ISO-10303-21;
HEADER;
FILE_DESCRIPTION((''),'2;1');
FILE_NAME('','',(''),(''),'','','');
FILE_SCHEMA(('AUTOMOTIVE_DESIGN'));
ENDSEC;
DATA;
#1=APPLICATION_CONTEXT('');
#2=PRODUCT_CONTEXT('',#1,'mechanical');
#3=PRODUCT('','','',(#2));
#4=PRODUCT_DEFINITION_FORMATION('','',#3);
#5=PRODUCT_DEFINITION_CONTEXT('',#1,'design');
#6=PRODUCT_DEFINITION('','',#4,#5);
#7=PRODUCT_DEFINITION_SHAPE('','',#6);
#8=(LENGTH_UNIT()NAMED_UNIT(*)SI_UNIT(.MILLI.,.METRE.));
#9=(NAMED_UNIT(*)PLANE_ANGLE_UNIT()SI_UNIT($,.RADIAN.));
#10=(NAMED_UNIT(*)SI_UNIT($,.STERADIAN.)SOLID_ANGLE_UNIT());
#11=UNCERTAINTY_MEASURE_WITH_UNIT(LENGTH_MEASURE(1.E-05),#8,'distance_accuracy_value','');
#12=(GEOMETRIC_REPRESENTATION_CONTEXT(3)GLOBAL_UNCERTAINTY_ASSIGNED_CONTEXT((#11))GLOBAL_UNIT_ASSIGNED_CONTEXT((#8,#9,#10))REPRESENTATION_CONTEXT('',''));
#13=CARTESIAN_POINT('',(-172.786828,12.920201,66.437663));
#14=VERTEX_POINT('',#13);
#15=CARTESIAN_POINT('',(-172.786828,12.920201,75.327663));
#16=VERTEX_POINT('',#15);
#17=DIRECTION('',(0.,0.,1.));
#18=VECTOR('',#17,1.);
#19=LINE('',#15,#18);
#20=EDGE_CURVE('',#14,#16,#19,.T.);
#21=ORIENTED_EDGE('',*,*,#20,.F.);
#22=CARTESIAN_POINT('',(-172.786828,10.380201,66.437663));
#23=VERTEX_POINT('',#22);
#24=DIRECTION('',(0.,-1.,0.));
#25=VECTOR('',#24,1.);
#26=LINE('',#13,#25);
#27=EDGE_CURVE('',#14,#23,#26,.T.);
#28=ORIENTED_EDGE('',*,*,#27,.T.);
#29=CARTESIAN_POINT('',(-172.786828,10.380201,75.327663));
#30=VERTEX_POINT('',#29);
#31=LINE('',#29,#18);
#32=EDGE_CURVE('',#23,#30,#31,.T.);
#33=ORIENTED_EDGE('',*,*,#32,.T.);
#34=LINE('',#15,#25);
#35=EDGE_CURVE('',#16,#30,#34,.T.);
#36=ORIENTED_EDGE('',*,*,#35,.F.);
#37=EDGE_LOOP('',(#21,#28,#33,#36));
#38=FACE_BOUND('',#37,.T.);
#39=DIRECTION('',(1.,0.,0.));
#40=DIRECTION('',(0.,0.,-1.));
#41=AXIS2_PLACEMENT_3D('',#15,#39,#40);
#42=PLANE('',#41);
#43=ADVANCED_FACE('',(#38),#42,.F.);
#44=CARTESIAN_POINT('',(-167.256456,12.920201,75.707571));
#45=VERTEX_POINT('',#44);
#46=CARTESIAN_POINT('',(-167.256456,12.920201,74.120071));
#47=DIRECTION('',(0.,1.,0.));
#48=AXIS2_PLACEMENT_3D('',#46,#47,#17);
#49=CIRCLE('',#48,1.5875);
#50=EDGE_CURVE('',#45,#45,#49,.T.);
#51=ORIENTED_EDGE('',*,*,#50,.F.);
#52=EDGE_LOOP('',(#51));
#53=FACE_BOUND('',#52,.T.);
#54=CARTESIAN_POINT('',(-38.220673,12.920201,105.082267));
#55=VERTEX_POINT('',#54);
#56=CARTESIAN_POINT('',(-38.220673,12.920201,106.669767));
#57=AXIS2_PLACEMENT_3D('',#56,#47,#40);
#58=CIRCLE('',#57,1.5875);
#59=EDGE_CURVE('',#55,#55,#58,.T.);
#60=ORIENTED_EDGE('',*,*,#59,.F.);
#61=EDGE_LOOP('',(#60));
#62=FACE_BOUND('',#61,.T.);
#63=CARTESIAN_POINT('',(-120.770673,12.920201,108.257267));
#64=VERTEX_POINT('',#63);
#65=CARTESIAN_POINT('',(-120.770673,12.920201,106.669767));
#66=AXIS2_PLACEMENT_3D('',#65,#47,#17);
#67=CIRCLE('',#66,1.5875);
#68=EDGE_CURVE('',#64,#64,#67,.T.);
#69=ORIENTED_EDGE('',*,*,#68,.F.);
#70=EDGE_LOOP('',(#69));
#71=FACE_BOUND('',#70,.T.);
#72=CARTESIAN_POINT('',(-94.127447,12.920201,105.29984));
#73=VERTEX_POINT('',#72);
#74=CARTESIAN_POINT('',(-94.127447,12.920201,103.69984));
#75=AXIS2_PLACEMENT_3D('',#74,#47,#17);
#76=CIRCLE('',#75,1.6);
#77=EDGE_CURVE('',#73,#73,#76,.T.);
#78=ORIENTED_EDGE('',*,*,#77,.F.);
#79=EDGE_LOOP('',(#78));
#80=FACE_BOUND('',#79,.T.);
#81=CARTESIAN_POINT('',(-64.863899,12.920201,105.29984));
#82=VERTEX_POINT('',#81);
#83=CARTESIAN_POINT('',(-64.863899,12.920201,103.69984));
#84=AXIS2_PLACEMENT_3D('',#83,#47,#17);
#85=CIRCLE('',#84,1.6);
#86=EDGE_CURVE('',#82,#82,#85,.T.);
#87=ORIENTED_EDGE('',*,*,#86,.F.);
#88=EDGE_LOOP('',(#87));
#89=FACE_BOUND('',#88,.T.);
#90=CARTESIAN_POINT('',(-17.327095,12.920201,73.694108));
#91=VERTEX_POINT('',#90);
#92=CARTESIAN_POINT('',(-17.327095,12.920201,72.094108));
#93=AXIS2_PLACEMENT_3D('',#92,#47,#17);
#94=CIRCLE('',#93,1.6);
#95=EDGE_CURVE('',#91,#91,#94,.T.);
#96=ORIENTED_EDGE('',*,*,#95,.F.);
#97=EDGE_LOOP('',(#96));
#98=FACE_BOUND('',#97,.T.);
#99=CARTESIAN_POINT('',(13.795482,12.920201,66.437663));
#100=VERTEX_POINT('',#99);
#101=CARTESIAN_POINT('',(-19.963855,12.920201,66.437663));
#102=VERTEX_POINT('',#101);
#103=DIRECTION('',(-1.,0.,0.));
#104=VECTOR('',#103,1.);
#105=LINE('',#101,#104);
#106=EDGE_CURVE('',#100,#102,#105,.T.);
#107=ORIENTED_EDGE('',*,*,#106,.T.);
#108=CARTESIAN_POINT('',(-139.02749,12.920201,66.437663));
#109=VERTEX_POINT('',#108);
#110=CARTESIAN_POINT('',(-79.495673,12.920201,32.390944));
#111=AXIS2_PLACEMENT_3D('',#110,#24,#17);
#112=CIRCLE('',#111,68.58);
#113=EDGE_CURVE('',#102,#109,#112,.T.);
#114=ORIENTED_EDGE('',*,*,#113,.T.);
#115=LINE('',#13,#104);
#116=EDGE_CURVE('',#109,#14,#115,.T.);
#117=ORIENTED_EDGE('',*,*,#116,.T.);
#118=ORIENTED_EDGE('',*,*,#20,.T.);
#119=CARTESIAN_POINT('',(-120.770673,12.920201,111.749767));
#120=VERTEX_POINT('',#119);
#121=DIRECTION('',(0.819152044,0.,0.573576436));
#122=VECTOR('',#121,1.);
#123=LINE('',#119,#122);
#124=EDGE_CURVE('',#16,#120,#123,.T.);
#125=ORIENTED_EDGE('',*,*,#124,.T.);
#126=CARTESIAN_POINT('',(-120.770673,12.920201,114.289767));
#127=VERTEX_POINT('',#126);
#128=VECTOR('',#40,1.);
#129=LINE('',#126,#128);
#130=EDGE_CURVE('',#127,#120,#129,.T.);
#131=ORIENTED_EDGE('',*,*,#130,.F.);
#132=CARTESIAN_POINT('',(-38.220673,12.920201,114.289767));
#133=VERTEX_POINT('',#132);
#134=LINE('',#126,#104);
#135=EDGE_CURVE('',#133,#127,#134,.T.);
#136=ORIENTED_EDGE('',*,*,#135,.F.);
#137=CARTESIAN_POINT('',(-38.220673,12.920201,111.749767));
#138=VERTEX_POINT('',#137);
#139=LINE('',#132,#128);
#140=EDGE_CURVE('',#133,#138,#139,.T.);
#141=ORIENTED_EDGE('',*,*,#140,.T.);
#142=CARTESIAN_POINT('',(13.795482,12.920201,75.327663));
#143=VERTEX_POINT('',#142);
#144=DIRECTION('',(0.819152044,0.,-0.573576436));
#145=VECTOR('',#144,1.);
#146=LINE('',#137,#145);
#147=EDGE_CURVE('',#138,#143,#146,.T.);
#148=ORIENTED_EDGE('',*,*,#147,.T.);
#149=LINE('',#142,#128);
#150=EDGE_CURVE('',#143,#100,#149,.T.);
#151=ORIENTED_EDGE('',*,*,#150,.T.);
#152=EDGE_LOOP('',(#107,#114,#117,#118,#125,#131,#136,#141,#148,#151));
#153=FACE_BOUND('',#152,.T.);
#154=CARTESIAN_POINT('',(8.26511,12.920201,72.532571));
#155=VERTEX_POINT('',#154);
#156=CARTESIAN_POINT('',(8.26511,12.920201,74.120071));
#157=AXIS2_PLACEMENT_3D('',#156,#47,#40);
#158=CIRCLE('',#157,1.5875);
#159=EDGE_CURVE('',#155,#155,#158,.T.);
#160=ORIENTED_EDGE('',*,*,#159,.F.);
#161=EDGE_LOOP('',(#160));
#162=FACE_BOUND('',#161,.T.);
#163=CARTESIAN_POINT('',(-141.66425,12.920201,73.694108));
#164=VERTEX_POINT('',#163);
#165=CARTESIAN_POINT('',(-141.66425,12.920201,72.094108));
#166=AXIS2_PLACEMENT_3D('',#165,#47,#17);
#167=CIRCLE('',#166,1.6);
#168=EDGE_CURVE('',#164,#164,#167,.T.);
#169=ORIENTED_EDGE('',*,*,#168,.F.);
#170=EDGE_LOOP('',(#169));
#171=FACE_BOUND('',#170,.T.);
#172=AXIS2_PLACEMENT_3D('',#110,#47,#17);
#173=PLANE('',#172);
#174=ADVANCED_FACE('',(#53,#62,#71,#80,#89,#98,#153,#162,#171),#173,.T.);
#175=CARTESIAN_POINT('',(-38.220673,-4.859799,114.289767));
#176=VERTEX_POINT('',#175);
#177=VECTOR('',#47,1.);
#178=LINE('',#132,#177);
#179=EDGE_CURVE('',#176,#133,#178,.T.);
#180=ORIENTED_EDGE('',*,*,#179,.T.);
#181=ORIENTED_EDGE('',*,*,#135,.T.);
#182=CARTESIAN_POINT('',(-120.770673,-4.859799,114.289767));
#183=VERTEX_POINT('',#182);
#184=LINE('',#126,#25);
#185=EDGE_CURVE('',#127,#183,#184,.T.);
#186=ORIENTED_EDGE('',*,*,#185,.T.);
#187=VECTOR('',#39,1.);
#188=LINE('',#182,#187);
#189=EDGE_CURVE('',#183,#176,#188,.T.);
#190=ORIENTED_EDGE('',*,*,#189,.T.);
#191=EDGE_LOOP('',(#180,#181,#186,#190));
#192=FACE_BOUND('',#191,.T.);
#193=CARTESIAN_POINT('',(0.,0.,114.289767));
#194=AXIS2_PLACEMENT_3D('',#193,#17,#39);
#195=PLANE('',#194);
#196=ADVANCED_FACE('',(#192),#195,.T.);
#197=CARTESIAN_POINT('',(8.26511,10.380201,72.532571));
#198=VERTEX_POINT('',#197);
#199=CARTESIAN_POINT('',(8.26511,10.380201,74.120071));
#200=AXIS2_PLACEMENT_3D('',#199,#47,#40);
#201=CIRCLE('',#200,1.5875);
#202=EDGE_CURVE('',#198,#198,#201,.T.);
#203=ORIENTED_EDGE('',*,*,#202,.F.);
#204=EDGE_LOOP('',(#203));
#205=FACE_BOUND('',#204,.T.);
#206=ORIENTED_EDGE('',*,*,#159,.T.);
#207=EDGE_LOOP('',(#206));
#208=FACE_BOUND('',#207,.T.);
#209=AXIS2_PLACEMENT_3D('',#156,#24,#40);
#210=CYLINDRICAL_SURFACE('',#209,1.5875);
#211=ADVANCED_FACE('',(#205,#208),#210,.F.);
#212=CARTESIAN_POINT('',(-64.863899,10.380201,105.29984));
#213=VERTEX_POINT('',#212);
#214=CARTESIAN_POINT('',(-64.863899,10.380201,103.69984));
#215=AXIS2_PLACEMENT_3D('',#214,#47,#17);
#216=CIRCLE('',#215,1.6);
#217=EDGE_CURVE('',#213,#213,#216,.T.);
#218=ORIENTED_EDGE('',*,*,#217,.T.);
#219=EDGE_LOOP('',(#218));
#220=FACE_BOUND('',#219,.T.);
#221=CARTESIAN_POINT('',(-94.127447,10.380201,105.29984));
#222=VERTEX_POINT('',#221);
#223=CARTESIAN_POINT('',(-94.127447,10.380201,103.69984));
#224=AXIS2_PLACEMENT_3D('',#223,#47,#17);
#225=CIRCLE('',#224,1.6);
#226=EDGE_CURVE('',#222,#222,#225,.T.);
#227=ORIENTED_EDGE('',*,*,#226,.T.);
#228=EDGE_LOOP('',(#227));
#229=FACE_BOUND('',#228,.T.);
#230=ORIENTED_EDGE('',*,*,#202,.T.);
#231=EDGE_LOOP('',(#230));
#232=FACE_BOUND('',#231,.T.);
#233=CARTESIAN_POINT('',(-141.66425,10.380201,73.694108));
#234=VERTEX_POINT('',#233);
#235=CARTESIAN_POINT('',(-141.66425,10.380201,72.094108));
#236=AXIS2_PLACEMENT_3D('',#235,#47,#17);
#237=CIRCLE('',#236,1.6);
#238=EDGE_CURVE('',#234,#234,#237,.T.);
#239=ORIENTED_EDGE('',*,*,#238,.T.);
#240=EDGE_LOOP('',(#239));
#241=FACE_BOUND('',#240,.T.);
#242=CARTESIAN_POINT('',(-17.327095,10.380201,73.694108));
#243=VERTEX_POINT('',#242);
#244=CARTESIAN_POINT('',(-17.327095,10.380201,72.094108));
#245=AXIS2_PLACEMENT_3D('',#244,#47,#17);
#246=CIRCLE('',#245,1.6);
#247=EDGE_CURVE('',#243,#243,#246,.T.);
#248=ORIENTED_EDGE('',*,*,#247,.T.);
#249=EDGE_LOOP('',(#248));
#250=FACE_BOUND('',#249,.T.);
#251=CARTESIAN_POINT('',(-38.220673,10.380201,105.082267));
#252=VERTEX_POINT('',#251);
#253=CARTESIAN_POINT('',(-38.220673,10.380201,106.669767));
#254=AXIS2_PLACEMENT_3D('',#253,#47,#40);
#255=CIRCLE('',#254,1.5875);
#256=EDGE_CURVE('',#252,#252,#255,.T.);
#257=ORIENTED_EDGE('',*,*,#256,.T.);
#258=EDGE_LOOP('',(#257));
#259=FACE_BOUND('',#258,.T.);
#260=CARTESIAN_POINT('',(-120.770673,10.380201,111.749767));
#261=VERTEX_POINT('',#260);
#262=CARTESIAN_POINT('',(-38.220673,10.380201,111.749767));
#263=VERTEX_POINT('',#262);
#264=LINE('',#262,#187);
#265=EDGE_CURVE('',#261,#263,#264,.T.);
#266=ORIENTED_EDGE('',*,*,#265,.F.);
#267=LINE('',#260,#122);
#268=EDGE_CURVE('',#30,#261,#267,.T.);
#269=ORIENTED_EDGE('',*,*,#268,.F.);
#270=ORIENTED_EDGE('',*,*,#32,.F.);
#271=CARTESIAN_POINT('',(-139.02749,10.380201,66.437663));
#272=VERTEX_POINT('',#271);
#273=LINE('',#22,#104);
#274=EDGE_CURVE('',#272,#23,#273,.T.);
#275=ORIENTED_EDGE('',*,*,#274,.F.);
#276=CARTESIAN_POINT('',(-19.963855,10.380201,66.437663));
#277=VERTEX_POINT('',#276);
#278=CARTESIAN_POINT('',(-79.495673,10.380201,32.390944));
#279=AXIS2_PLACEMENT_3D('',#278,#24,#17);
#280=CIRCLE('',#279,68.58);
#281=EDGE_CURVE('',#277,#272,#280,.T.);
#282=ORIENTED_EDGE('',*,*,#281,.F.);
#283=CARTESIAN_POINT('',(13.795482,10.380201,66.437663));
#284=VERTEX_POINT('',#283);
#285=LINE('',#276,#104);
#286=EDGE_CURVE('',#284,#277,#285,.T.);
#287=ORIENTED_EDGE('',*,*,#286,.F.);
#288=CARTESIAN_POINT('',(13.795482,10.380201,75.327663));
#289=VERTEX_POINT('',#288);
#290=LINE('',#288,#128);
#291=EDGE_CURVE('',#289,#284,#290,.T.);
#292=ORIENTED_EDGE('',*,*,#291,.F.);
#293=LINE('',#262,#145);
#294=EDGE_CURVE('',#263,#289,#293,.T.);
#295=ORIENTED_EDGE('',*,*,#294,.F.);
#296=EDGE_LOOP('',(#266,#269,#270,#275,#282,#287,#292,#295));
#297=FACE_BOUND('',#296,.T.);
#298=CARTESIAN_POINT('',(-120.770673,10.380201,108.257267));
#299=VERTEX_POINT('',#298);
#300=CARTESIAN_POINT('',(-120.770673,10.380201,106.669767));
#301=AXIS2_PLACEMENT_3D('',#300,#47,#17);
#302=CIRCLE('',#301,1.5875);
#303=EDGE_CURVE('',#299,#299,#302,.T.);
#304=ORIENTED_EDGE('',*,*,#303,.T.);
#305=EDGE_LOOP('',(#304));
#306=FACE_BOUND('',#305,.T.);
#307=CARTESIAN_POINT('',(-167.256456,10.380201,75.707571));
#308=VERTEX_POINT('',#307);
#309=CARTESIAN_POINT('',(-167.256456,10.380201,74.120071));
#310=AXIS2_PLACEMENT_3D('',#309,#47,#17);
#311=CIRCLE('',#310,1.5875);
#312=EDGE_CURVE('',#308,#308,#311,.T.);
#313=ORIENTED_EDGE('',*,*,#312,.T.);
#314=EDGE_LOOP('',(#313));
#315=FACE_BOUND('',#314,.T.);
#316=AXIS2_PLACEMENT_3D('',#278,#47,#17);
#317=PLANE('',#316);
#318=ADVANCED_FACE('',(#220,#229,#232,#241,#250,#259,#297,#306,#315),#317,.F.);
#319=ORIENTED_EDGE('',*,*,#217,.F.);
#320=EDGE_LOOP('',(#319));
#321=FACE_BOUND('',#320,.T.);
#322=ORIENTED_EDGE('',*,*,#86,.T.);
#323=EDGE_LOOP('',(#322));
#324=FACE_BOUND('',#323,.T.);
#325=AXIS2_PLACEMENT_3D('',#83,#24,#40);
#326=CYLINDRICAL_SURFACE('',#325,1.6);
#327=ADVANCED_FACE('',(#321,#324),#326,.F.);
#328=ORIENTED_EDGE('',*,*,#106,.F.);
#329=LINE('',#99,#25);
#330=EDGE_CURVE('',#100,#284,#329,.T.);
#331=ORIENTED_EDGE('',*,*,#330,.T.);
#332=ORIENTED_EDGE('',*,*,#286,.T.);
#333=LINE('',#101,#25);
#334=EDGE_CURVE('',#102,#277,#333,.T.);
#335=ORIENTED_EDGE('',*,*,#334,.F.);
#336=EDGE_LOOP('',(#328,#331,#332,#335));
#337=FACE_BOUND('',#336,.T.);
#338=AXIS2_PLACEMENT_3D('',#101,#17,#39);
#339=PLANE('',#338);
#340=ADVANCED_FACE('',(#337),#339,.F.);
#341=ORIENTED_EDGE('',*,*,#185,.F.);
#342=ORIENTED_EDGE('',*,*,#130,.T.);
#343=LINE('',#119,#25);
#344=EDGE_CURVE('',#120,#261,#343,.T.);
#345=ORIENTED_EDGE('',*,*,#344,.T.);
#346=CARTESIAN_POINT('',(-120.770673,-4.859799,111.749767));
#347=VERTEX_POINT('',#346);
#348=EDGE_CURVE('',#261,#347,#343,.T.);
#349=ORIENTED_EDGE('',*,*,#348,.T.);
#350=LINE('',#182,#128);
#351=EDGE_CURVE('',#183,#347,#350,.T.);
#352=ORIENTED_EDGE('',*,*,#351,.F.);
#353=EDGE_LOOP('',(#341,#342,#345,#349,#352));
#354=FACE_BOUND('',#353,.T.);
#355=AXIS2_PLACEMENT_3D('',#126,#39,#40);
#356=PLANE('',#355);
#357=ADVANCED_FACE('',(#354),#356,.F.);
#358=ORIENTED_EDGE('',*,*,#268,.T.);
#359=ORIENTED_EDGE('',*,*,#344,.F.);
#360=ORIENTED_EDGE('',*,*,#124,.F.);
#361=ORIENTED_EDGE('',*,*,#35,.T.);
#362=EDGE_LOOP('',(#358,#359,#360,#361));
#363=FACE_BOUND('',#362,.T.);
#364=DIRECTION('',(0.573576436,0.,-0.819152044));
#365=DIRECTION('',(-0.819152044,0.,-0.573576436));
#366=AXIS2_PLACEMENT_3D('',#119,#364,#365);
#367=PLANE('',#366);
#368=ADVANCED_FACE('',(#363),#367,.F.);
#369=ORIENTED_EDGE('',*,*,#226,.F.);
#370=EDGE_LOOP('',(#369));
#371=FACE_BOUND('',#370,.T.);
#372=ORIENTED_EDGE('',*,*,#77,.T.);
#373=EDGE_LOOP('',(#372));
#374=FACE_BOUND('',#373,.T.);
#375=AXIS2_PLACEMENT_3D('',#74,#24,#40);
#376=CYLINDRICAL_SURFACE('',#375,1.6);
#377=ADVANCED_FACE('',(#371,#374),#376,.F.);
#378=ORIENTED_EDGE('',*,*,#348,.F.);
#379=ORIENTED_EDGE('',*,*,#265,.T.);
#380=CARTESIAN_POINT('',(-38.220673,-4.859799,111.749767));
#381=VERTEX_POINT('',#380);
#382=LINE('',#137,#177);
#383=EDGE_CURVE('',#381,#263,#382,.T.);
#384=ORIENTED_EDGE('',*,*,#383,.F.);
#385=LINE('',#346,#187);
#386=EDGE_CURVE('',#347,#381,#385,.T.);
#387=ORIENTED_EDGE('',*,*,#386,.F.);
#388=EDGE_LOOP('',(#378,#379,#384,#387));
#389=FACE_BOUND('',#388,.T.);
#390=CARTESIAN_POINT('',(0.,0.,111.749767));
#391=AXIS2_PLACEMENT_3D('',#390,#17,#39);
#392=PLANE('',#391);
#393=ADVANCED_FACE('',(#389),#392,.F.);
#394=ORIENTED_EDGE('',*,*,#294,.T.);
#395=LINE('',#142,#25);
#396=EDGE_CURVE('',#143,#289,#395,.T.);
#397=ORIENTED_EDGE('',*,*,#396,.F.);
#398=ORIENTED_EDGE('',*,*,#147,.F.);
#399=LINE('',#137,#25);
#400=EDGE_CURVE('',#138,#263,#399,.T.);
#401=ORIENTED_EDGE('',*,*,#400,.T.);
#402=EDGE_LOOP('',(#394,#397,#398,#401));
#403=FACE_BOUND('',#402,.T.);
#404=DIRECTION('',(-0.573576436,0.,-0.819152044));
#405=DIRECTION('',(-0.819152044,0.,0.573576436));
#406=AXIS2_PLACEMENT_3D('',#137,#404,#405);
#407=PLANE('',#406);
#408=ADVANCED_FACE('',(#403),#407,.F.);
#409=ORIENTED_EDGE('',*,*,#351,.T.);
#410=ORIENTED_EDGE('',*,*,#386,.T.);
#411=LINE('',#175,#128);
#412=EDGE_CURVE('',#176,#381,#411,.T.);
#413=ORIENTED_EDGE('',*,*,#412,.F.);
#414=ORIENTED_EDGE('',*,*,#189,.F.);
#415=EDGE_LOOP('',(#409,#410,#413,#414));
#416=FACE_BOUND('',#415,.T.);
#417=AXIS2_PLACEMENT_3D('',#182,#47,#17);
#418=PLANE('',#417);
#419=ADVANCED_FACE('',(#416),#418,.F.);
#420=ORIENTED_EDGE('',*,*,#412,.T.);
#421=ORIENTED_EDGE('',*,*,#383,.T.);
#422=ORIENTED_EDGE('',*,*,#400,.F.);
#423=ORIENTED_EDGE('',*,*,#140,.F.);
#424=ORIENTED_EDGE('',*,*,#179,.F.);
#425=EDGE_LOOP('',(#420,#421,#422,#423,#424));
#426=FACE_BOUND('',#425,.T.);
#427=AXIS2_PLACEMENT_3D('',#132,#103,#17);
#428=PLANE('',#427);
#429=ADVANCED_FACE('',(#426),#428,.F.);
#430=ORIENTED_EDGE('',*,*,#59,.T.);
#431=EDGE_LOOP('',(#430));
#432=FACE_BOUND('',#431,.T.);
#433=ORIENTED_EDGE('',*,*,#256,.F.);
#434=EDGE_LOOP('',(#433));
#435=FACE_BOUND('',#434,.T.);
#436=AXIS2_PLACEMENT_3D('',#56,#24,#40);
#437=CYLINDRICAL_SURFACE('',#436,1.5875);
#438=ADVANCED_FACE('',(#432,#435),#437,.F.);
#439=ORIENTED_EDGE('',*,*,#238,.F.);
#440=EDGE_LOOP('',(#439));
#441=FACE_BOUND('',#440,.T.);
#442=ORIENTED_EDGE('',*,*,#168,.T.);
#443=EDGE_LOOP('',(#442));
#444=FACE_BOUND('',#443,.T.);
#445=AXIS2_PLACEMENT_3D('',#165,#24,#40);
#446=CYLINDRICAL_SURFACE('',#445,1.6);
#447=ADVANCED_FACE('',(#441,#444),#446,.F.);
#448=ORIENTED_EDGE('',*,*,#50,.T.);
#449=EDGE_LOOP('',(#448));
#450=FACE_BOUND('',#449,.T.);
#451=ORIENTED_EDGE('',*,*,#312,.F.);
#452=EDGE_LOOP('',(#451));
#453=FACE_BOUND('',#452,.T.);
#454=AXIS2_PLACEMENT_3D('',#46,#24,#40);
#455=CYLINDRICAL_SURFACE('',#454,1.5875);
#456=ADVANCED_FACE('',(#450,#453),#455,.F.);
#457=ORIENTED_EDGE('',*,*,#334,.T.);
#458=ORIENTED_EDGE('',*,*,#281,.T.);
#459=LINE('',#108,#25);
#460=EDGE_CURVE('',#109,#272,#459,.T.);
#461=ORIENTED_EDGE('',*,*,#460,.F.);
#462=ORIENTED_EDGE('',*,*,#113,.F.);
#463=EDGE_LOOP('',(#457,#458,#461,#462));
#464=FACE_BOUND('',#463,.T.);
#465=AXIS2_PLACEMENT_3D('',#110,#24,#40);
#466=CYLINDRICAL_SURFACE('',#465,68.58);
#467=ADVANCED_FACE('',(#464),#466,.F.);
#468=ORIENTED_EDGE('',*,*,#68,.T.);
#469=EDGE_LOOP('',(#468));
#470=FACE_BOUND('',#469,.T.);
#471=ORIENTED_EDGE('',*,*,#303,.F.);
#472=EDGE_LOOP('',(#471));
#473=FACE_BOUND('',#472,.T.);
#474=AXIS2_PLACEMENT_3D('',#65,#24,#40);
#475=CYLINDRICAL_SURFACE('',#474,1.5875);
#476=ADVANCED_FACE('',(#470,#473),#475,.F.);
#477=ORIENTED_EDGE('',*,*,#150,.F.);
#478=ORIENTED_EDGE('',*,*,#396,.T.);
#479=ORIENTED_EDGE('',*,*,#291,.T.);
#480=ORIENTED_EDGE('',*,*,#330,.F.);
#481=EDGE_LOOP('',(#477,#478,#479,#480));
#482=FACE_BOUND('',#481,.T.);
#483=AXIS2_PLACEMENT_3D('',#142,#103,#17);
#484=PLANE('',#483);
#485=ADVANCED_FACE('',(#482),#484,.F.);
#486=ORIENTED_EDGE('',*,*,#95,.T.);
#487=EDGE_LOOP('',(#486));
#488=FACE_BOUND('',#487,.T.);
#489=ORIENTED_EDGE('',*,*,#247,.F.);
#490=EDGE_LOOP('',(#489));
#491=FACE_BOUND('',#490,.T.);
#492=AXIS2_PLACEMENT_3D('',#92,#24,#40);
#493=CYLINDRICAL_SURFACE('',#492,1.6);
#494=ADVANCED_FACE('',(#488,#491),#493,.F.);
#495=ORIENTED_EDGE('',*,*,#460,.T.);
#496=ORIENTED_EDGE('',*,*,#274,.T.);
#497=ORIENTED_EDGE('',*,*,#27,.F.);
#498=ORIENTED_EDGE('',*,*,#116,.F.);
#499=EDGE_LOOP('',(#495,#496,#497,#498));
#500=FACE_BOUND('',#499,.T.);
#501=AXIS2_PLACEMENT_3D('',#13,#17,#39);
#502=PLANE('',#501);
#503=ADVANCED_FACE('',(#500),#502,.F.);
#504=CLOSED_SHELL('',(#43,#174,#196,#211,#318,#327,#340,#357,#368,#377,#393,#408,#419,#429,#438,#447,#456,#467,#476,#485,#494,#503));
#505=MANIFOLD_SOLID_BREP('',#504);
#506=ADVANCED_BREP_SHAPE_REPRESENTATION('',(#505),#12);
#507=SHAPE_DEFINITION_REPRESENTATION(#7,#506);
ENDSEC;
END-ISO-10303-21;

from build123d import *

# Parameters (mm, degrees)
SKETCH1_R           = 1.6
SKETCH1_R_2         = 1.5875
BOSS_EXTRUDE1_DEPTH = 2.54
SKETCH2_W           = 82.55
SKETCH2_H           = 17.78
BOSS_EXTRUDE2_DEPTH = 2.54


with BuildPart() as part:
    # Sketch1 → Boss-Extrude1 (new body)
    with BuildSketch(Plane(origin=(0, 10.380200841, 0), x_dir=(1, 0, 0), z_dir=(0, 1, 0))):
        with BuildLine():
            Line((-38.220672856, -111.749766717), (-120.770672856, -111.749766717))
            Line((-120.770672856, -111.749766717), (-172.786827669, -75.327663008))
            Line((-172.786827669, -75.327663008), (-172.786827669, -66.437663008))
            Line((-172.786827669, -66.437663008), (-139.027490416, -66.437663008))
            ThreePointArc((-139.027490416, -66.437663008), (-79.495672856, -100.970943664), (-19.963855297, -66.437663008))
            Line((-19.963855297, -66.437663008), (13.795481956, -66.437663008))
            Line((13.795481956, -66.437663008), (13.795481956, -75.327663008))
            Line((13.795481956, -75.327663008), (-38.220672856, -111.749766717))
        make_face()
        with Locations((-17.327095379, -72.094107722)):
            Circle(SKETCH1_R, mode=Mode.SUBTRACT)
        with Locations((-141.664250334, -72.094107722)):
            Circle(SKETCH1_R, mode=Mode.SUBTRACT)
        with Locations((-94.127447008, -103.699839694)):
            Circle(SKETCH1_R, mode=Mode.SUBTRACT)
        with Locations((-64.863898705, -103.699839694)):
            Circle(SKETCH1_R, mode=Mode.SUBTRACT)
        with Locations((-120.770672856, -106.669766717)):
            Circle(SKETCH1_R_2, mode=Mode.SUBTRACT)
        with Locations((-167.256455611, -74.120071212)):
            Circle(SKETCH1_R_2, mode=Mode.SUBTRACT)
        with Locations((8.265109898, -74.120071212)):
            Circle(SKETCH1_R_2, mode=Mode.SUBTRACT)
        with Locations((-38.220672856, -106.669766717)):
            Circle(SKETCH1_R_2, mode=Mode.SUBTRACT)
    extrude(amount=BOSS_EXTRUDE1_DEPTH)

    # Sketch2 → Boss-Extrude2 (add)
    with BuildSketch(Plane.XY.offset(111.749766717)):
        with Locations((-79.495672856, 4.030200841)):
            Rectangle(SKETCH2_W, SKETCH2_H)
    extrude(amount=BOSS_EXTRUDE2_DEPTH)


solid = part.part
